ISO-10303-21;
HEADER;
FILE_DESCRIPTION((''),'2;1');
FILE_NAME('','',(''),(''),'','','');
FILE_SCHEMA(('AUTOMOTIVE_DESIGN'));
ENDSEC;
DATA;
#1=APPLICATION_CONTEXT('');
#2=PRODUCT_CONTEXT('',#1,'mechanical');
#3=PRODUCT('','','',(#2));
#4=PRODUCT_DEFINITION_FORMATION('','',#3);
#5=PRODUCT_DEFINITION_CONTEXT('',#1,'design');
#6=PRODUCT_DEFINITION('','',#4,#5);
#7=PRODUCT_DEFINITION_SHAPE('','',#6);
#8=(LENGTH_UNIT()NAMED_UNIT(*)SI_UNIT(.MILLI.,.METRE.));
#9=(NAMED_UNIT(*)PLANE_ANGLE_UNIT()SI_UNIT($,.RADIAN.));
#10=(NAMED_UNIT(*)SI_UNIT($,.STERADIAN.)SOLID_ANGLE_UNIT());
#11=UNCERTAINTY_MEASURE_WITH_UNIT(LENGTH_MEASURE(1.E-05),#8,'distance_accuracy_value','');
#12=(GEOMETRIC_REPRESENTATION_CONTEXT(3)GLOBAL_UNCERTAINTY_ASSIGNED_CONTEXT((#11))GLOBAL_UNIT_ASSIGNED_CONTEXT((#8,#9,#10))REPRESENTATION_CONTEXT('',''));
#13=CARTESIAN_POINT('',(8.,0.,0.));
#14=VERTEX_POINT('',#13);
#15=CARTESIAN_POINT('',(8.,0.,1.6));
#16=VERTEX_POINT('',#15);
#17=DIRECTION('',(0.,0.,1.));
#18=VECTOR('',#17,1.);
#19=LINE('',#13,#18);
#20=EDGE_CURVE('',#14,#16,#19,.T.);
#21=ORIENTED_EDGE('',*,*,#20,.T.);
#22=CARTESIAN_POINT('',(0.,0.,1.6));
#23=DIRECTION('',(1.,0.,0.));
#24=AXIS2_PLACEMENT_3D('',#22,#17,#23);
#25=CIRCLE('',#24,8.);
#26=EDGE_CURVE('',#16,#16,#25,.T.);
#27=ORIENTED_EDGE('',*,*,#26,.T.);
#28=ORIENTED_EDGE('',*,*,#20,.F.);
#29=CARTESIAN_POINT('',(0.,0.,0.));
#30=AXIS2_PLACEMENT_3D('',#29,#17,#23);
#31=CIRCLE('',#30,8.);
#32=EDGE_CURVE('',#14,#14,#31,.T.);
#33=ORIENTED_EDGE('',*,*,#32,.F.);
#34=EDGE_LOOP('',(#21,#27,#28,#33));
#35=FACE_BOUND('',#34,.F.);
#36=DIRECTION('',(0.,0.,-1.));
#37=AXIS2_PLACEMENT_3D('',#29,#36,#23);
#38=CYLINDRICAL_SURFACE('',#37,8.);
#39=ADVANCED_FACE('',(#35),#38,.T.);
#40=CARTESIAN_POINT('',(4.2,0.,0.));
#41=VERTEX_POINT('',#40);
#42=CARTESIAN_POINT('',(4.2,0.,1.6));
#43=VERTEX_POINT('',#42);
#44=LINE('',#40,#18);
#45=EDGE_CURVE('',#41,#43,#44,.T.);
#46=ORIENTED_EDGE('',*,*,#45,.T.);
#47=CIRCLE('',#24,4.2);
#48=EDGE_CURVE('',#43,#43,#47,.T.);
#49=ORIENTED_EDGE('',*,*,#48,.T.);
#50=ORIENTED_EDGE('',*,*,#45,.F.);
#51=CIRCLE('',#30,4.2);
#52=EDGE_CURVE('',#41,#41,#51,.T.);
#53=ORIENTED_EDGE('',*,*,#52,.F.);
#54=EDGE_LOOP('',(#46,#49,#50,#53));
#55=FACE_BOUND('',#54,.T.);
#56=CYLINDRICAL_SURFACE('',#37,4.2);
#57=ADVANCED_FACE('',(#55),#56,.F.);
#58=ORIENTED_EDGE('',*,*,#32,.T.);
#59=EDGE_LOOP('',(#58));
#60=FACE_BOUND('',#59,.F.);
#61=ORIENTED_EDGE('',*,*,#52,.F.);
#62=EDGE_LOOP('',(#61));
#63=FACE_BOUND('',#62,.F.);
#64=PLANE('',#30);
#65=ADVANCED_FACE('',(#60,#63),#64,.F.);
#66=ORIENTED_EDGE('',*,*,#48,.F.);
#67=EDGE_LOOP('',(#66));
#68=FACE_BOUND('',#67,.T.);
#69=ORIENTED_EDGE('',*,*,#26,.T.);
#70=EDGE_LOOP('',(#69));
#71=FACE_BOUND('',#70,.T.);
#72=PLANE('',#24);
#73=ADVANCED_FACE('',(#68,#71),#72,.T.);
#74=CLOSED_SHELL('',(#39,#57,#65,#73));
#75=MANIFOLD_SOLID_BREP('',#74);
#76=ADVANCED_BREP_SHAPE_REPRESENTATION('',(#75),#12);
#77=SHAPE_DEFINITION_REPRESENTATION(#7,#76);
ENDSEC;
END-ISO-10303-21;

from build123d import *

# Parameters (mm, degrees)
SKETCH1_R          = 8
SKETCH1_R_2        = 4.2
BASE_EXTRUDE_DEPTH = 1.6


with BuildPart() as part:
    # Sketch1 → Base-Extrude (new body)
    with BuildSketch(Plane.XY):
        Circle(SKETCH1_R)
        Circle(SKETCH1_R_2, mode=Mode.SUBTRACT)
    extrude(amount=BASE_EXTRUDE_DEPTH)


solid = part.part
